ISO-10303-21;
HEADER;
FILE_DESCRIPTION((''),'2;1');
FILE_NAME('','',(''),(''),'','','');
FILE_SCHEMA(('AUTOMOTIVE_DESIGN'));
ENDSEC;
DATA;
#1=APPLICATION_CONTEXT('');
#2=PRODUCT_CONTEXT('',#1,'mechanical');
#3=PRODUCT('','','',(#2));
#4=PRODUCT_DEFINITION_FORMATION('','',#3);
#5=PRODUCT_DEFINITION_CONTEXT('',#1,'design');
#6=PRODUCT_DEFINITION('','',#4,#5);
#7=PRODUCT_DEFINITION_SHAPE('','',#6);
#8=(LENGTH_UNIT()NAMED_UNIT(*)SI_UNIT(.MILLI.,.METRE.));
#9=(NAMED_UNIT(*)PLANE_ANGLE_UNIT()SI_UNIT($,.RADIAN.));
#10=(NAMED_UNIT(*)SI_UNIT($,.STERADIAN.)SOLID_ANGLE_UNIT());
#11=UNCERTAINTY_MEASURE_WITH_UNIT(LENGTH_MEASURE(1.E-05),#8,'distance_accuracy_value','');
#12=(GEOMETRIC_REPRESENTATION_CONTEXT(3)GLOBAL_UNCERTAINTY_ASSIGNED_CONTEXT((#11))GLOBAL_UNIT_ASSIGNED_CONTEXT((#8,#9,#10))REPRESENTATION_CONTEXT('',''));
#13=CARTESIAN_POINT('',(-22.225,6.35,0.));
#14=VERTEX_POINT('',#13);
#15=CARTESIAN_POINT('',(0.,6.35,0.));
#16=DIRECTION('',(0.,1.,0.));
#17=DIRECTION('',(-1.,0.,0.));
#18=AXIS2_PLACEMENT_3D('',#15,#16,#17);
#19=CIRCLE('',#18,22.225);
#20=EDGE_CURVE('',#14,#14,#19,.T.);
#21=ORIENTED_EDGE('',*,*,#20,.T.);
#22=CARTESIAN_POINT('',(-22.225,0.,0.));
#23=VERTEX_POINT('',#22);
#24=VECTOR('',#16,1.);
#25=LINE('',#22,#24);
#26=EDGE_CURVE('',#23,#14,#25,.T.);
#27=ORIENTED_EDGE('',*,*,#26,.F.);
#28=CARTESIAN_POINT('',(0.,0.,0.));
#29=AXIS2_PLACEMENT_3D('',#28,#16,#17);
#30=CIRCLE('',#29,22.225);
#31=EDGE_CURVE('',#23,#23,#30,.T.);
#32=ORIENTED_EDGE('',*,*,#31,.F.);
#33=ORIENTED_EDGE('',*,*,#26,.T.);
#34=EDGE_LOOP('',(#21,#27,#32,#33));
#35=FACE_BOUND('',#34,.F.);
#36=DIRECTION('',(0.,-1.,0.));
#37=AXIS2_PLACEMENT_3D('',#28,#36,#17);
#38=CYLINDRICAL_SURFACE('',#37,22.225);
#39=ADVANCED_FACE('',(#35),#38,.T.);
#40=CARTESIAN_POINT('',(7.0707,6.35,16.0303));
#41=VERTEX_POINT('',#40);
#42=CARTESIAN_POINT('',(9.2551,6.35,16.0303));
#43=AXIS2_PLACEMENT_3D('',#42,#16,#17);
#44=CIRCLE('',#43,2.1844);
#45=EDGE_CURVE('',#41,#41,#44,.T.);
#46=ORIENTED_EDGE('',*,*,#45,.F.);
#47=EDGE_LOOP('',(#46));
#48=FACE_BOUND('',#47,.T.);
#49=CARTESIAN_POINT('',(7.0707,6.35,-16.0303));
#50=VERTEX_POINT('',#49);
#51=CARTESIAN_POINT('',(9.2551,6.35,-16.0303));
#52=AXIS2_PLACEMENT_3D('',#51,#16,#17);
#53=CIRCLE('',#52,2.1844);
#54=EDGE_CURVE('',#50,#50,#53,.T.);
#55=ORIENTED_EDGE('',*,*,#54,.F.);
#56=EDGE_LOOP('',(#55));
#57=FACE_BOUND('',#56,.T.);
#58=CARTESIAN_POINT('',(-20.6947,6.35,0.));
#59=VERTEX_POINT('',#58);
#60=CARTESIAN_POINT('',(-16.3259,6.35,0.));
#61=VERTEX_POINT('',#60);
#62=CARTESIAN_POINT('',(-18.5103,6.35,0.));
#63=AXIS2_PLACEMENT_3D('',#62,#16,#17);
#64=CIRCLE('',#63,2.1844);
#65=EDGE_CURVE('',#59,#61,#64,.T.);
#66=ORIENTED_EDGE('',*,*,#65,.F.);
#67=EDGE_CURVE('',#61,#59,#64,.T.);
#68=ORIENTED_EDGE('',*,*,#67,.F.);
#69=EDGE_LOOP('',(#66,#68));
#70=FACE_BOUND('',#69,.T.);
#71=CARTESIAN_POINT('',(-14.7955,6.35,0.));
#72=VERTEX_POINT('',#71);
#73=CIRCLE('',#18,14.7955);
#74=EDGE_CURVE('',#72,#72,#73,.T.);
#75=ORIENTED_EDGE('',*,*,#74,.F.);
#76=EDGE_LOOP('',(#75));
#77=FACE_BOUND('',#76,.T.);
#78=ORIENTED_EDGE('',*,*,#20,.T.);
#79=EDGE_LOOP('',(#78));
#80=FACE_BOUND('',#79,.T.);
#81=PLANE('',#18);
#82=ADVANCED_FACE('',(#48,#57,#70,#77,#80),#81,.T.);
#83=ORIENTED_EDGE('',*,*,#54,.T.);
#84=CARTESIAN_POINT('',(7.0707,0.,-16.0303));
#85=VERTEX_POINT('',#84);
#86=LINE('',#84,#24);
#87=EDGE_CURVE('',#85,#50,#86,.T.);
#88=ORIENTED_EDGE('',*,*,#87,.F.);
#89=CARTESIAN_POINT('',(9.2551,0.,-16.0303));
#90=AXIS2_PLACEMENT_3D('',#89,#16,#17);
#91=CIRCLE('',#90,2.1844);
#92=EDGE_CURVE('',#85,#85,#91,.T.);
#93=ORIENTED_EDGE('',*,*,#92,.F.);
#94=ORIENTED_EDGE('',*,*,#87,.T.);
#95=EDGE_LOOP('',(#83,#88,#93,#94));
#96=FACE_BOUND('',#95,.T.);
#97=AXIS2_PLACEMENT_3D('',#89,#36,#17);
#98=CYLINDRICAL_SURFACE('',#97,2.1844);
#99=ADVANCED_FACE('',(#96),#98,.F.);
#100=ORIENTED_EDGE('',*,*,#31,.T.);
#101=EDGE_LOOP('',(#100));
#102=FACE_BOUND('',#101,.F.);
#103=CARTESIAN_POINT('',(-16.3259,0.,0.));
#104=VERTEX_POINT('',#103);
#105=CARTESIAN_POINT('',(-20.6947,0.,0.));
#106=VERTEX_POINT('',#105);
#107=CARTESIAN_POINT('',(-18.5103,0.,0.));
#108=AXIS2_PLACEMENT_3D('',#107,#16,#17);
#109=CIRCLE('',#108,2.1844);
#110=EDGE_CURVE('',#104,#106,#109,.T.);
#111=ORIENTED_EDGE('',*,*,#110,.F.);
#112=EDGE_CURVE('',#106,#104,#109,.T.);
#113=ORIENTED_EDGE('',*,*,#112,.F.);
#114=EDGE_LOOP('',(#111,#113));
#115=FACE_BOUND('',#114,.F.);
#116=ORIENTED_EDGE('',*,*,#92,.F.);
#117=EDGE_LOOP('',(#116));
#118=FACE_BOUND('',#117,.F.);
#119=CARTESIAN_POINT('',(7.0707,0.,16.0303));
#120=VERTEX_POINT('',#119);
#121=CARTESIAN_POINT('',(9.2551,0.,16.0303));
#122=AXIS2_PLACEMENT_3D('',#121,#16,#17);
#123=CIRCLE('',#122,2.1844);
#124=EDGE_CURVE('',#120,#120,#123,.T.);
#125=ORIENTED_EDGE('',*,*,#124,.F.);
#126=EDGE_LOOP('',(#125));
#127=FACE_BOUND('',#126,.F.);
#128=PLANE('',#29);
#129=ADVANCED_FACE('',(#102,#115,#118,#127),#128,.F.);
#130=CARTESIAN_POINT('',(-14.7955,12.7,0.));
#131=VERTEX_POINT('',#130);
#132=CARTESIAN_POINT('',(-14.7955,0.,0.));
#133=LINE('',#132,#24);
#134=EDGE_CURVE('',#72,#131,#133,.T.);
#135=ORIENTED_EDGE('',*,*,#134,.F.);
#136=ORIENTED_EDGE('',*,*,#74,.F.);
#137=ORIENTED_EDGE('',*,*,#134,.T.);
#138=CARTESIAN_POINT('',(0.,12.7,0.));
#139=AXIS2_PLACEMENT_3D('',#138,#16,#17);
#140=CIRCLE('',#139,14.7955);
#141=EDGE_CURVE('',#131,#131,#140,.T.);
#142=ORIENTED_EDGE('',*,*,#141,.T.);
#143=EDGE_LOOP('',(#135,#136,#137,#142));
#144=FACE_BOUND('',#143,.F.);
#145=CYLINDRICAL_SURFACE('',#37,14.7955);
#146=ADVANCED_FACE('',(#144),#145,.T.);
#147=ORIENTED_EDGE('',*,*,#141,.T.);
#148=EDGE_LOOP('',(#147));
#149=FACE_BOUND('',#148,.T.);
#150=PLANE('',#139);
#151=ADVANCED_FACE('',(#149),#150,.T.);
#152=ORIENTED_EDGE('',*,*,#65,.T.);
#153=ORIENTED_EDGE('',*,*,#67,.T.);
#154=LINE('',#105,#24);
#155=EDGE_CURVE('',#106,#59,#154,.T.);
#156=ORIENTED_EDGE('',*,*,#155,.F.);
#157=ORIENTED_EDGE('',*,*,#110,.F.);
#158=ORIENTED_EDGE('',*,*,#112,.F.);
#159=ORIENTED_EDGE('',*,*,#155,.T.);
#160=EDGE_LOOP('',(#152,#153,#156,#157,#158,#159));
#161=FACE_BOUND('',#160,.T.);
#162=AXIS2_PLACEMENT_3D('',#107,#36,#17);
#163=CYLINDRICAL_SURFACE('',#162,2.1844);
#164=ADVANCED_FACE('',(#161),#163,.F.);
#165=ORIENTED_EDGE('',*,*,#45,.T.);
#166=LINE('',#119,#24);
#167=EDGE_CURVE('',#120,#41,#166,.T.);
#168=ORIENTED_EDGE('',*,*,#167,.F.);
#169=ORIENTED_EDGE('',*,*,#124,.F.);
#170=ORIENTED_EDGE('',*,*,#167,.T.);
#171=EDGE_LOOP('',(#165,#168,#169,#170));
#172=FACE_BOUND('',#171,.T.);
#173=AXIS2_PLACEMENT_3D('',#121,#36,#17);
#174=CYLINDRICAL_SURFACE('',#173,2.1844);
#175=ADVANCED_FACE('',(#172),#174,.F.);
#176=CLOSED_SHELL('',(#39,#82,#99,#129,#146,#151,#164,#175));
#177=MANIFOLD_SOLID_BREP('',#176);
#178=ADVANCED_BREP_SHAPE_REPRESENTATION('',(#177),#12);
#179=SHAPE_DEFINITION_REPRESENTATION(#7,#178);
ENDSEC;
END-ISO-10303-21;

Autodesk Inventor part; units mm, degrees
ref_plane "YZ Plane" through (0, 0, 0) normal (1, 0, 0) x (0, 1, 0)
ref_plane "XZ Plane" through (0, 0, 0) normal (0, 1, 0) x (-1, 0, 0)
ref_plane "XY Plane" through (0, 0, 0) normal (0, 0, 1) x (1, 0, 0)
sketch "Sketch1" plane through (0, 0, 0) normal (0, 1, 0) x (-1, 0, 0)
  circle A0 centre (0, 0) radius 22.225
  circle A1 centre (0, 0) radius 14.7955
  line L0 (22.225, 0) -> (14.7955, 0)
  circle A2 centre (18.5103, 0) radius 2.1844
  circle A3 centre (-9.2551, 16.0303) radius 2.1844
  circle A4 centre (-9.2551, -16.0303) radius 2.1844
  dimension "d0" = 44.45
  dimension "d1" = 29.591
  dimension "d2" = 4.3688
  dimension "d5" = 360
extrude "Extrusion1" add sketch "Sketch1" along normal blind 6.35
extrude "Extrusion2" add sketch "Sketch1" along normal blind 12.7 contours A1
properties part number "7.1 Part 6"
